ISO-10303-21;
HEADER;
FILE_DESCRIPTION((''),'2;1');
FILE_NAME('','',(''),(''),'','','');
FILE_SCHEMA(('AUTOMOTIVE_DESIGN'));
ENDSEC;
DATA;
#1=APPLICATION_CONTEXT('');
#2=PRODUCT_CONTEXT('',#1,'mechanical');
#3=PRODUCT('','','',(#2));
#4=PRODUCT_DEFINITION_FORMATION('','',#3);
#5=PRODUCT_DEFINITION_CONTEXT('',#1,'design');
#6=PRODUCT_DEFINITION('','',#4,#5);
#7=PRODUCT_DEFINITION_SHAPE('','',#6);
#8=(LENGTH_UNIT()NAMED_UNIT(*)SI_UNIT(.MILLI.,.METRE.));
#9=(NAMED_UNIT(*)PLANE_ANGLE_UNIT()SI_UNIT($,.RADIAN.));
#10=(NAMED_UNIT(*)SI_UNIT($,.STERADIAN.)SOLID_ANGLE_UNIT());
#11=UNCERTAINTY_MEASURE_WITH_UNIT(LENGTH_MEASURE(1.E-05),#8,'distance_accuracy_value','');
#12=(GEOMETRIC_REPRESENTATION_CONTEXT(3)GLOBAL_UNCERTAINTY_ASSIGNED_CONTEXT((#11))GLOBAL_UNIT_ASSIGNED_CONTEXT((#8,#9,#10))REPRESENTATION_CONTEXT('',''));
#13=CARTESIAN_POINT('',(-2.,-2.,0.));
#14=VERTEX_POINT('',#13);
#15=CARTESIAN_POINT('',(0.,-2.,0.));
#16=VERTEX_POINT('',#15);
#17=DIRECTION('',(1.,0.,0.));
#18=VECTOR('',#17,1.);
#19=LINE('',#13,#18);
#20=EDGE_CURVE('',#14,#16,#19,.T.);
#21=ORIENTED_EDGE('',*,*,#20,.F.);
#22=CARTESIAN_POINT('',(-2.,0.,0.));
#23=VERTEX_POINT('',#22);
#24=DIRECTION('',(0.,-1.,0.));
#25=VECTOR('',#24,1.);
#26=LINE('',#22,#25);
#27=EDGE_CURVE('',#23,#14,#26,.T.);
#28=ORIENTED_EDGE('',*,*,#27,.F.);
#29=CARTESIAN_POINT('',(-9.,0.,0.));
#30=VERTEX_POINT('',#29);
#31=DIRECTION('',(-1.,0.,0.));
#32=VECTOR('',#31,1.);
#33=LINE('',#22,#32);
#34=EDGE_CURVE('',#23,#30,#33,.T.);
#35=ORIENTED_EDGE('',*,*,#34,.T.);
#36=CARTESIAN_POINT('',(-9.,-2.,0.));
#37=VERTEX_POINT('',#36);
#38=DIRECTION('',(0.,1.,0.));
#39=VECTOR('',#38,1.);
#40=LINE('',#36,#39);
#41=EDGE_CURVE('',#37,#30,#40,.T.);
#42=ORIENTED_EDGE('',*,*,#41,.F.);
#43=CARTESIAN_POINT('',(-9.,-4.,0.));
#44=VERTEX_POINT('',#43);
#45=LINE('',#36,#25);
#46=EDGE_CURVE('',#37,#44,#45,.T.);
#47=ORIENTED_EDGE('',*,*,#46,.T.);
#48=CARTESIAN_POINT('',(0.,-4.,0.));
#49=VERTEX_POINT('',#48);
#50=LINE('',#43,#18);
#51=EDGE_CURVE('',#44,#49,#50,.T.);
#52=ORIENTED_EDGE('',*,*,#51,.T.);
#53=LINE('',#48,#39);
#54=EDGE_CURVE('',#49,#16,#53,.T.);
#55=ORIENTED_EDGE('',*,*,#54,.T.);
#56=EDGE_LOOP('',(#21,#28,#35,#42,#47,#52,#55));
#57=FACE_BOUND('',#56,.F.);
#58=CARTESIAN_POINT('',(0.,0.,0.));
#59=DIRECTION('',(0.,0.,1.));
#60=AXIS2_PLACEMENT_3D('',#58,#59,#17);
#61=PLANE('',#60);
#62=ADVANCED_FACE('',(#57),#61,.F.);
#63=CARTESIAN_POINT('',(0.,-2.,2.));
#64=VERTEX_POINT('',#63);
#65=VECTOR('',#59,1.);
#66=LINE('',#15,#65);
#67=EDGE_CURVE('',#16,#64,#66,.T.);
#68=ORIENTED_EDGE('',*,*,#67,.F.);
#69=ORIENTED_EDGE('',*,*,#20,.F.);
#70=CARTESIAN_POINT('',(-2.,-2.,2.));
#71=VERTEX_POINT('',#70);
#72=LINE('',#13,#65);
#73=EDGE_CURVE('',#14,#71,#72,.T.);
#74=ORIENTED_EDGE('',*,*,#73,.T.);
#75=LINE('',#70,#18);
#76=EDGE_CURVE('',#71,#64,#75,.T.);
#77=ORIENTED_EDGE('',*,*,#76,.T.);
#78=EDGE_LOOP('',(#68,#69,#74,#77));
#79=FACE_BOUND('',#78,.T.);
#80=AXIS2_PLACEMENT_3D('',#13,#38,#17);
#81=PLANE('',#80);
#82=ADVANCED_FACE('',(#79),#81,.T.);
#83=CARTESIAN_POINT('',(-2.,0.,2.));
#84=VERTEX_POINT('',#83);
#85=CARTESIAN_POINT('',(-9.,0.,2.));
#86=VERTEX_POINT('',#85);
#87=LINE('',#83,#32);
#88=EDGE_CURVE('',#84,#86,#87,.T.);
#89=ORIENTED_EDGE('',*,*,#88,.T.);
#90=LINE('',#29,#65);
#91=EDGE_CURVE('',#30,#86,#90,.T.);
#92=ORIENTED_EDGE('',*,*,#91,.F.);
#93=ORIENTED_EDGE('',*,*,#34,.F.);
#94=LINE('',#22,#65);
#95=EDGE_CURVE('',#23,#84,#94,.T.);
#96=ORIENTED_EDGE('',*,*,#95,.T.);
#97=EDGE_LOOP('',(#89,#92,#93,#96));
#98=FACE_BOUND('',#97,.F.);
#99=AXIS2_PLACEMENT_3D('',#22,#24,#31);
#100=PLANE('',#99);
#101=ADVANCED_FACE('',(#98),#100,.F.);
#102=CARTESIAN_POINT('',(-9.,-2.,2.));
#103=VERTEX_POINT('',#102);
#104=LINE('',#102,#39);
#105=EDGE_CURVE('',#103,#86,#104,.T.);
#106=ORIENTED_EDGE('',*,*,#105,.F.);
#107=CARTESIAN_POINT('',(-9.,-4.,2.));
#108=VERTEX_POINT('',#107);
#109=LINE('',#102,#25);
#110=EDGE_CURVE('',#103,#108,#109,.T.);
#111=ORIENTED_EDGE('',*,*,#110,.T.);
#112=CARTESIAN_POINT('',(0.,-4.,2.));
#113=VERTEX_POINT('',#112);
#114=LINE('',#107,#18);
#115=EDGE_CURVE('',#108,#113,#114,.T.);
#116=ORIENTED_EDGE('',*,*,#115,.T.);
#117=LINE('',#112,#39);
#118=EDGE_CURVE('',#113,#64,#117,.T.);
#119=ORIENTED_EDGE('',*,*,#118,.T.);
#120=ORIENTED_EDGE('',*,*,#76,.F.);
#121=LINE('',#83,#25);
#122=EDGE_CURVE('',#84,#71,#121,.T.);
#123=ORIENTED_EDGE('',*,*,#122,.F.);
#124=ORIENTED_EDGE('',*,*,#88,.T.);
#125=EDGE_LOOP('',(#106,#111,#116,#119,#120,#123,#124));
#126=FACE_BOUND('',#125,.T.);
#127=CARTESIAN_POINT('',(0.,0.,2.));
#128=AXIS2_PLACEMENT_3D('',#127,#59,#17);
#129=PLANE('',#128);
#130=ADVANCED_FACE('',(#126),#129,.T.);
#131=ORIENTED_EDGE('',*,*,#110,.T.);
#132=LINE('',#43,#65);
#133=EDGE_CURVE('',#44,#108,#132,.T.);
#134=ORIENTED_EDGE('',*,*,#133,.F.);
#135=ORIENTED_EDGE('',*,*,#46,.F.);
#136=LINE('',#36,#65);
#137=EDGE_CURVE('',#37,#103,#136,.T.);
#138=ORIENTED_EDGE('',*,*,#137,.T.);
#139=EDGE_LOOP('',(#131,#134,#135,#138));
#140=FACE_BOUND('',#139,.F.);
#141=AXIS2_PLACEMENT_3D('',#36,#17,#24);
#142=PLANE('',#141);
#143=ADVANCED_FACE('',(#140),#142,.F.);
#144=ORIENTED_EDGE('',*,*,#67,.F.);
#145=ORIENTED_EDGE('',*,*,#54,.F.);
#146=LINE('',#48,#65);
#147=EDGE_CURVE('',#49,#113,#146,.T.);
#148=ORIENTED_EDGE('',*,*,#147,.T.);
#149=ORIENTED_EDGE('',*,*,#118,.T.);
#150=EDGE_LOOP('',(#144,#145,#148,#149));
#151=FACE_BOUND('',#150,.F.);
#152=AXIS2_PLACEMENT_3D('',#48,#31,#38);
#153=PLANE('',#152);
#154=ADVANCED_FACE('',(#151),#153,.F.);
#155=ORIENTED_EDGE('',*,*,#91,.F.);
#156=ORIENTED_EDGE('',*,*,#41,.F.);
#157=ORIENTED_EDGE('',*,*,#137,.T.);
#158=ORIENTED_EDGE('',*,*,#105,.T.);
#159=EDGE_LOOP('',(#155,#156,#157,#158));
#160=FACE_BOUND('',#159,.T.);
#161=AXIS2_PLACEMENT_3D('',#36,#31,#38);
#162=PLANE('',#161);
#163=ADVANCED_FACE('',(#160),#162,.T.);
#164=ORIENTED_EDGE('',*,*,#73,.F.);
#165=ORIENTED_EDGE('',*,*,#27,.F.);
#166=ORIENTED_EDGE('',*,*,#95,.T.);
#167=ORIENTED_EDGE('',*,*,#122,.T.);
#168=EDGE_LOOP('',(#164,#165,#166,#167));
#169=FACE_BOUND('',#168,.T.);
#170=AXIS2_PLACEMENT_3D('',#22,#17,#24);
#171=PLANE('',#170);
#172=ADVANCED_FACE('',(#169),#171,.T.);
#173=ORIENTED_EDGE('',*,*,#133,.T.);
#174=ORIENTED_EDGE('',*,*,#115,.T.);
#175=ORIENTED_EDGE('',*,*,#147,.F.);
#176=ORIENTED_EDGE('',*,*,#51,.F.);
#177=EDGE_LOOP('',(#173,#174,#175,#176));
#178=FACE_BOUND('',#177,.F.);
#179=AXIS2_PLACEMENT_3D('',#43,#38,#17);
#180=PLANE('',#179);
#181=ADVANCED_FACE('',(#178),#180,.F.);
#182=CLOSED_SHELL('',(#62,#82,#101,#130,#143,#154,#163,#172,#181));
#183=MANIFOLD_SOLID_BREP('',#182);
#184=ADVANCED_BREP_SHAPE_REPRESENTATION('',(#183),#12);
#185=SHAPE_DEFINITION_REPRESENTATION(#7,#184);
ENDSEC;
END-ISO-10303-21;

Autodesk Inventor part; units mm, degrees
ref_plane "YZ Plane" through (0, 0, 0) normal (1, 0, 0) x (0, 1, 0)
ref_plane "XZ Plane" through (0, 0, 0) normal (0, 1, 0) x (-1, 0, 0)
ref_plane "XY Plane" through (0, 0, 0) normal (0, 0, 1) x (1, 0, 0)
sketch "Sketch1" plane through (0, 0, 0) normal (0, 0, 1) x (1, 0, 0)
  line L0 (0, -4) -> (0, -2)
  line L1 (-2, 0) -> (-2, -2)
  line L2 (-2, -2) -> (0, -2)
  line L3 (-2, 0) -> (-9, 0)
  line L4 (-9, -2) -> (-9, 0)
  line L5 (-9, -2) -> (-9, -4)
  line L6 (-9, -4) -> (0, -4)
  point P0 (0, 0)
  dimension "d0" = 4
  dimension "d3" = 2
extrude "Extrusion1" add sketch "Sketch1" along normal blind 2
properties part number "beam2" material "Wood (Cherry)"
